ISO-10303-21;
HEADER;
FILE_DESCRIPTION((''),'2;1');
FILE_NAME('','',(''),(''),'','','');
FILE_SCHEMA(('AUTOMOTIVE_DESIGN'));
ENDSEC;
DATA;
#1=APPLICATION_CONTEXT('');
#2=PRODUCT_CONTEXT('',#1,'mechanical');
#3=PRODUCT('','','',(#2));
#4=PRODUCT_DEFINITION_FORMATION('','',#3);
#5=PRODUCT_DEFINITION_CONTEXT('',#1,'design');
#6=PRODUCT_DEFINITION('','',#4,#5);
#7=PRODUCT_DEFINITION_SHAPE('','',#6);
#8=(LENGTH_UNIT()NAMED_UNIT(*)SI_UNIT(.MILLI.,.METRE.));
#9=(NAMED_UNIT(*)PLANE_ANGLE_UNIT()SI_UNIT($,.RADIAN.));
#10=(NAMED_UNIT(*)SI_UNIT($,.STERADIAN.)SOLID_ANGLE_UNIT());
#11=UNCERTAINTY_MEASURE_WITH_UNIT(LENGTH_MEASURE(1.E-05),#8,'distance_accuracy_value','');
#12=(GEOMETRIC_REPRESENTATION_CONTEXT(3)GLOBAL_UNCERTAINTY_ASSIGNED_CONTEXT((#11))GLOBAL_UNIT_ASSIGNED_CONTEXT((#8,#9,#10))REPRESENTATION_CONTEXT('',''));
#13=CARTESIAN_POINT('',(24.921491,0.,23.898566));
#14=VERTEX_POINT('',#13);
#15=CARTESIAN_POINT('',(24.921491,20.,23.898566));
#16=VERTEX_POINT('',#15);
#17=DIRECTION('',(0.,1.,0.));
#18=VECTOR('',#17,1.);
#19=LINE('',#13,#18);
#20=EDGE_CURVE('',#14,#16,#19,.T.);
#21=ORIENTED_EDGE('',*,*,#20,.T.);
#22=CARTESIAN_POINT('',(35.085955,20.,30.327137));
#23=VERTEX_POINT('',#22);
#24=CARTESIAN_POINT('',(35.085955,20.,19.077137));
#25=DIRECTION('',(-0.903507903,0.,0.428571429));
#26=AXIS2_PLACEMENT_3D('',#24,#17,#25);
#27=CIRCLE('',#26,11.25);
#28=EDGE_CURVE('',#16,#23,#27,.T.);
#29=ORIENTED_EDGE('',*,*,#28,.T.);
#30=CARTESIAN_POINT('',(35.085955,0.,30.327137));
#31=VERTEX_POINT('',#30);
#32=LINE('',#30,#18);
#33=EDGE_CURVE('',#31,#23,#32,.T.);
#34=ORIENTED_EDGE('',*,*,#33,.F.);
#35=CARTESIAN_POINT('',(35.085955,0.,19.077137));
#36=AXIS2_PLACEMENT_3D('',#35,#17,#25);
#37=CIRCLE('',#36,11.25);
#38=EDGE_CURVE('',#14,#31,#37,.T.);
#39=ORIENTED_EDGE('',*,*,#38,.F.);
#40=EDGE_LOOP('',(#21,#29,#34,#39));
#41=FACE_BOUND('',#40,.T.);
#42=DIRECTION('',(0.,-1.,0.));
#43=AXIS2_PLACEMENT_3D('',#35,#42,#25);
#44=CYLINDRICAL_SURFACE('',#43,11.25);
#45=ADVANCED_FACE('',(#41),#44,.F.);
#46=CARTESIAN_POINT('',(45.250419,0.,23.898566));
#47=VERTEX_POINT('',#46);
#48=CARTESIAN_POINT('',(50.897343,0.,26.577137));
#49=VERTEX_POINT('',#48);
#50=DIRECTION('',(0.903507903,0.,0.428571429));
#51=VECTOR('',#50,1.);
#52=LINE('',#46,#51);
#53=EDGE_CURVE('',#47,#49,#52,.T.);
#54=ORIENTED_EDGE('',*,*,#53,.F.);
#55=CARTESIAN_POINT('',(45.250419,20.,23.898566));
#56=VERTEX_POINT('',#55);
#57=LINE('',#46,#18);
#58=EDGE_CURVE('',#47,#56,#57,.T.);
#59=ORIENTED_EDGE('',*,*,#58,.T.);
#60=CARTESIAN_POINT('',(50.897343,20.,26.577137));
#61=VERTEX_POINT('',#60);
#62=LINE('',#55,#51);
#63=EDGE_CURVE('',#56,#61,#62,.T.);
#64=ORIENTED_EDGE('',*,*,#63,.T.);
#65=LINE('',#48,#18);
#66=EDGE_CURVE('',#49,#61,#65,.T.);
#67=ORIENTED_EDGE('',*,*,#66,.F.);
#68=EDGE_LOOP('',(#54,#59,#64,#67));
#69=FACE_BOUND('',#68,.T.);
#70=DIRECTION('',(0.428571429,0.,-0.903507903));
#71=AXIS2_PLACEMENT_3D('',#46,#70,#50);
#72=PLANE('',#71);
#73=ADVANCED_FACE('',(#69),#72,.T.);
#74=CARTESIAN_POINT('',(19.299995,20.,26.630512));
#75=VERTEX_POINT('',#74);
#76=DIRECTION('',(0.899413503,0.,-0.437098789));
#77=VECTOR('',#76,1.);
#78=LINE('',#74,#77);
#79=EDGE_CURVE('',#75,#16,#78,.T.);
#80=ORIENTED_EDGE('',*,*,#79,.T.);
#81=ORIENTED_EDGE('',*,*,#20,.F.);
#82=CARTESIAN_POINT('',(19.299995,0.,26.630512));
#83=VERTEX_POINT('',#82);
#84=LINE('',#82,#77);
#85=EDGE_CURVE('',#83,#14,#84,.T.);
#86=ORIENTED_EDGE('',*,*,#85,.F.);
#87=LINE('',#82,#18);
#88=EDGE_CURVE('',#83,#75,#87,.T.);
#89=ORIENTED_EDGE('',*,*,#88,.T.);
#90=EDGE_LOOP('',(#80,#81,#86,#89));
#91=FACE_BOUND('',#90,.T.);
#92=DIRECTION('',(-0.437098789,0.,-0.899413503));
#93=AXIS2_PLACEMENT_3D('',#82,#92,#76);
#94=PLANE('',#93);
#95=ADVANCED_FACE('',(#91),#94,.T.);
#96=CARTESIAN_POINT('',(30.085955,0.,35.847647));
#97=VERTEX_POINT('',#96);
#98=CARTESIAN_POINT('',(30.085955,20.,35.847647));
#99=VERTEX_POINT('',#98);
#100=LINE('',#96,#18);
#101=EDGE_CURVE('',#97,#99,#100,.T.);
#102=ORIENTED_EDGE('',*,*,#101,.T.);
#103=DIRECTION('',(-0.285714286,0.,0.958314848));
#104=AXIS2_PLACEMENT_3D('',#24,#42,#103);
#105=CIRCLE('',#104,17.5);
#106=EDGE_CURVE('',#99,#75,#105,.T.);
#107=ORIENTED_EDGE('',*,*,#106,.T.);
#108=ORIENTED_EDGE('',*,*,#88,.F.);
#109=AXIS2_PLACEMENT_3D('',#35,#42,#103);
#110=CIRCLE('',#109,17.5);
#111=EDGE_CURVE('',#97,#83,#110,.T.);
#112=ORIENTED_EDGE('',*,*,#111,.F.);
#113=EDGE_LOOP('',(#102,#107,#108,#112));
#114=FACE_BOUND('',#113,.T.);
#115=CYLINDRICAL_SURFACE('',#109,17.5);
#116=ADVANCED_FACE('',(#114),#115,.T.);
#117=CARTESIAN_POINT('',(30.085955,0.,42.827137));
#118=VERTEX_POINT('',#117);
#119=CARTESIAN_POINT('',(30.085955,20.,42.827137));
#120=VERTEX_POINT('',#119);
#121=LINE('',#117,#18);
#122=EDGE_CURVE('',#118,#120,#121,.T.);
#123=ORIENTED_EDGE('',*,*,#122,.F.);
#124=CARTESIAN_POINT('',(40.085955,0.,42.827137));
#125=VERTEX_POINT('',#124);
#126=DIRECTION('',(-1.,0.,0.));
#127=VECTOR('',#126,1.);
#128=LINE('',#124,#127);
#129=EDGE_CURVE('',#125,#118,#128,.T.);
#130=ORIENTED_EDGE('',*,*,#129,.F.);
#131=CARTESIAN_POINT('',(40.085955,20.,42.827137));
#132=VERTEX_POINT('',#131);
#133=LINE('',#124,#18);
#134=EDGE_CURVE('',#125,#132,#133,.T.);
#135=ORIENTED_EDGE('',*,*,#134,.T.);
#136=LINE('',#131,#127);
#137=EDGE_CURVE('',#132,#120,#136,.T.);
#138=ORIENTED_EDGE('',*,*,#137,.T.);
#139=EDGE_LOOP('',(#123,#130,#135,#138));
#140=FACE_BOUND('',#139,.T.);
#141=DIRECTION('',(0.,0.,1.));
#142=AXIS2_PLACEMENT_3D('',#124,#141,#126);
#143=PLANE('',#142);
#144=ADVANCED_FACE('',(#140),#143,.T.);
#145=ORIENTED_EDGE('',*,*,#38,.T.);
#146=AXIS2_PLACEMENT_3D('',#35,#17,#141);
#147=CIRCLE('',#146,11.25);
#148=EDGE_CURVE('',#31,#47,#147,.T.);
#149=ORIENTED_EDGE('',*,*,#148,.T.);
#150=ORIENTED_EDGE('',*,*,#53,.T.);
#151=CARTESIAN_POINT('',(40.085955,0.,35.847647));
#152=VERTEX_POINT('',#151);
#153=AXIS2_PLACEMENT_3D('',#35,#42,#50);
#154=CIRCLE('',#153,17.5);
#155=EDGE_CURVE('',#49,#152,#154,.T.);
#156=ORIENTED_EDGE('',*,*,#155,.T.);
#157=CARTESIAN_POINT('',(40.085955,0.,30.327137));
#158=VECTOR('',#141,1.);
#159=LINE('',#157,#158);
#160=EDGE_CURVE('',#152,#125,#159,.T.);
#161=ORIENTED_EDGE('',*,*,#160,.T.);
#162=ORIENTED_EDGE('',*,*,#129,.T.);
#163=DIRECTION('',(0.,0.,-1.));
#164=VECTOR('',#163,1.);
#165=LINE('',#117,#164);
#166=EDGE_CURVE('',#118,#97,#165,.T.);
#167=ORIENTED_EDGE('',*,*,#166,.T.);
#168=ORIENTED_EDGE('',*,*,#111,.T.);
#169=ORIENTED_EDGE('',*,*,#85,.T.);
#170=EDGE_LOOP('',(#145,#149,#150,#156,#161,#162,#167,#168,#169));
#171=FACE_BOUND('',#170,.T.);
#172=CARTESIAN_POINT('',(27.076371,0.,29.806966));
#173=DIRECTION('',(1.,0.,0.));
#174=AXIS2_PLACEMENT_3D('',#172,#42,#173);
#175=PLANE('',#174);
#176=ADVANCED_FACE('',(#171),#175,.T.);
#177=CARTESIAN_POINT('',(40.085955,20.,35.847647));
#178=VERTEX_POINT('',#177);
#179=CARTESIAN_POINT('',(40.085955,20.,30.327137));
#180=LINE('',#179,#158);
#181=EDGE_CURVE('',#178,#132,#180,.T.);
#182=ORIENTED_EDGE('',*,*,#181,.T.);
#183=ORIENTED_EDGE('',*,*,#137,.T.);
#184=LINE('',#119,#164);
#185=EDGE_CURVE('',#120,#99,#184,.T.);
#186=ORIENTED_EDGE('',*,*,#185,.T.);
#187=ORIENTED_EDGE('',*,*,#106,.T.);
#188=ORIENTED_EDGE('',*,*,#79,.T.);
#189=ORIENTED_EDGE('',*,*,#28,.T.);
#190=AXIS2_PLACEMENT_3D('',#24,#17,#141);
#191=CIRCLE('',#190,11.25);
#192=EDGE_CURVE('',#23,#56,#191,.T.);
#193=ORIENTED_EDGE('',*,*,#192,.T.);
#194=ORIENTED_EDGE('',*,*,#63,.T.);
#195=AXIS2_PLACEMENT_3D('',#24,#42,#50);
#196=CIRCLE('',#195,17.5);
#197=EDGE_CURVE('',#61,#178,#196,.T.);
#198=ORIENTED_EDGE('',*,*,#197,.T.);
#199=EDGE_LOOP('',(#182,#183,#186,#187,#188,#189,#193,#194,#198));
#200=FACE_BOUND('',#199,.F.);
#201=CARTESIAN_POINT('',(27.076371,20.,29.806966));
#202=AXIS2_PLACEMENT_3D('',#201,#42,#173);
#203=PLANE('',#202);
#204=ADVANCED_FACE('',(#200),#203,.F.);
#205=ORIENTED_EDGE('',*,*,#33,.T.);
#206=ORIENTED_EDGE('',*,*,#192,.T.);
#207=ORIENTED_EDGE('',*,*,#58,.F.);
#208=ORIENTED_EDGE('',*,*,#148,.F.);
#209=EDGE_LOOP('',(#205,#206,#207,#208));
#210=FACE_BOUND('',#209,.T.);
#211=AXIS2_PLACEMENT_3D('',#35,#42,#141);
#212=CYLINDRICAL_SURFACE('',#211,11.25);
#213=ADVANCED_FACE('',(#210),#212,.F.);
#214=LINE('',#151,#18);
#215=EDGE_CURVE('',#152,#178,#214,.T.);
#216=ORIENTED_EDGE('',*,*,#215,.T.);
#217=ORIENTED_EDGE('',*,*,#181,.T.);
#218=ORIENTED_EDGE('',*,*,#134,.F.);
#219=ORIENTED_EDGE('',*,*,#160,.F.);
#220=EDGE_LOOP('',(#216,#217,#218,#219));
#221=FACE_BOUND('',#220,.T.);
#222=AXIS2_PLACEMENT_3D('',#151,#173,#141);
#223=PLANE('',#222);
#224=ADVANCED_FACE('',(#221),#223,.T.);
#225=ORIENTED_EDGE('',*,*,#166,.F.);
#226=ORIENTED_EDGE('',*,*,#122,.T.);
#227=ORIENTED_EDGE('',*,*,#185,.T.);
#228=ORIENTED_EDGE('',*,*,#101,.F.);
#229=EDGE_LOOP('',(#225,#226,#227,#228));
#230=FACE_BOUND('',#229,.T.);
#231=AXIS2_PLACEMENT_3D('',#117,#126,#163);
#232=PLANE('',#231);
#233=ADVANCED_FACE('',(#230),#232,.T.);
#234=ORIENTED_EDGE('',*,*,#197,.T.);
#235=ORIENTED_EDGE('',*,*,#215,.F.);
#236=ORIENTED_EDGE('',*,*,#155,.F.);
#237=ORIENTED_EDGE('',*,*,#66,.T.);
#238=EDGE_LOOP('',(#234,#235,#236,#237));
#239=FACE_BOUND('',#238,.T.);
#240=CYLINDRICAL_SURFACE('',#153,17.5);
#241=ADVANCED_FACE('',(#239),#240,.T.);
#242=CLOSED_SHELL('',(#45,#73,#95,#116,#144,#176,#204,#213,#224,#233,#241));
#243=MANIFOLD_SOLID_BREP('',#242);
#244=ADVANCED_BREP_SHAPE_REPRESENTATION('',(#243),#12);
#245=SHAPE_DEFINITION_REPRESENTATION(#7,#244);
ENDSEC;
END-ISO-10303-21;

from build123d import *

# Parameters (mm, degrees)
F1_DEPTH = 20


with BuildPart() as f1:
    # F0 (on Front) → F1 (new body)
    with BuildSketch(Plane.XZ):
        with BuildLine():
            Line((19.2999951541, 26.6305115074), (24.9214912266, 23.8985655014))
            ThreePointArc((24.9214912266, 23.8985655014), (29.0725771912, 28.5851222957), (35.0859551343, 30.32713693))
            Line((35.0859551343, 30.32713693), (30.0859551343, 30.32713693))
            Line((30.0859551343, 30.32713693), (30.0859551343, 35.8476467612))
            ThreePointArc((30.0859551343, 35.8476467612), (23.7170093324, 32.38116156), (19.2999951541, 26.6305115074))
        make_face()
        with BuildLine():
            Line((30.0859551343, 30.32713693), (35.0859551343, 30.32713693))
            Line((35.0859551343, 30.32713693), (40.0859551343, 30.32713693))
            Line((40.0859551343, 30.32713693), (40.0859551343, 35.8476467612))
            ThreePointArc((40.0859551343, 35.8476467612), (35.0859551343, 36.57713693), (30.0859551343, 35.8476467612))
            Line((30.0859551343, 35.8476467612), (30.0859551343, 30.32713693))
        make_face()
        with BuildLine():
            Line((30.0859551343, 42.82713693), (30.0859551343, 35.8476467612))
            ThreePointArc((30.0859551343, 35.8476467612), (35.0859551343, 36.57713693), (40.0859551343, 35.8476467612))
            Line((40.0859551343, 35.8476467612), (40.0859551343, 42.82713693))
            Line((40.0859551343, 42.82713693), (30.0859551343, 42.82713693))
        make_face()
        with BuildLine():
            Line((40.0859551343, 30.32713693), (35.0859551343, 30.32713693))
            ThreePointArc((35.0859551343, 30.32713693), (41.0993330773, 28.5851222957), (45.2504190419, 23.8985655014))
            Line((45.2504190419, 23.8985655014), (50.8973434351, 26.57713693))
            ThreePointArc((50.8973434351, 26.57713693), (46.477357984, 32.3619380619), (40.0859551343, 35.8476467612))
            Line((40.0859551343, 35.8476467612), (40.0859551343, 30.32713693))
        make_face()
    extrude(amount=-F1_DEPTH)


solid = f1.part
